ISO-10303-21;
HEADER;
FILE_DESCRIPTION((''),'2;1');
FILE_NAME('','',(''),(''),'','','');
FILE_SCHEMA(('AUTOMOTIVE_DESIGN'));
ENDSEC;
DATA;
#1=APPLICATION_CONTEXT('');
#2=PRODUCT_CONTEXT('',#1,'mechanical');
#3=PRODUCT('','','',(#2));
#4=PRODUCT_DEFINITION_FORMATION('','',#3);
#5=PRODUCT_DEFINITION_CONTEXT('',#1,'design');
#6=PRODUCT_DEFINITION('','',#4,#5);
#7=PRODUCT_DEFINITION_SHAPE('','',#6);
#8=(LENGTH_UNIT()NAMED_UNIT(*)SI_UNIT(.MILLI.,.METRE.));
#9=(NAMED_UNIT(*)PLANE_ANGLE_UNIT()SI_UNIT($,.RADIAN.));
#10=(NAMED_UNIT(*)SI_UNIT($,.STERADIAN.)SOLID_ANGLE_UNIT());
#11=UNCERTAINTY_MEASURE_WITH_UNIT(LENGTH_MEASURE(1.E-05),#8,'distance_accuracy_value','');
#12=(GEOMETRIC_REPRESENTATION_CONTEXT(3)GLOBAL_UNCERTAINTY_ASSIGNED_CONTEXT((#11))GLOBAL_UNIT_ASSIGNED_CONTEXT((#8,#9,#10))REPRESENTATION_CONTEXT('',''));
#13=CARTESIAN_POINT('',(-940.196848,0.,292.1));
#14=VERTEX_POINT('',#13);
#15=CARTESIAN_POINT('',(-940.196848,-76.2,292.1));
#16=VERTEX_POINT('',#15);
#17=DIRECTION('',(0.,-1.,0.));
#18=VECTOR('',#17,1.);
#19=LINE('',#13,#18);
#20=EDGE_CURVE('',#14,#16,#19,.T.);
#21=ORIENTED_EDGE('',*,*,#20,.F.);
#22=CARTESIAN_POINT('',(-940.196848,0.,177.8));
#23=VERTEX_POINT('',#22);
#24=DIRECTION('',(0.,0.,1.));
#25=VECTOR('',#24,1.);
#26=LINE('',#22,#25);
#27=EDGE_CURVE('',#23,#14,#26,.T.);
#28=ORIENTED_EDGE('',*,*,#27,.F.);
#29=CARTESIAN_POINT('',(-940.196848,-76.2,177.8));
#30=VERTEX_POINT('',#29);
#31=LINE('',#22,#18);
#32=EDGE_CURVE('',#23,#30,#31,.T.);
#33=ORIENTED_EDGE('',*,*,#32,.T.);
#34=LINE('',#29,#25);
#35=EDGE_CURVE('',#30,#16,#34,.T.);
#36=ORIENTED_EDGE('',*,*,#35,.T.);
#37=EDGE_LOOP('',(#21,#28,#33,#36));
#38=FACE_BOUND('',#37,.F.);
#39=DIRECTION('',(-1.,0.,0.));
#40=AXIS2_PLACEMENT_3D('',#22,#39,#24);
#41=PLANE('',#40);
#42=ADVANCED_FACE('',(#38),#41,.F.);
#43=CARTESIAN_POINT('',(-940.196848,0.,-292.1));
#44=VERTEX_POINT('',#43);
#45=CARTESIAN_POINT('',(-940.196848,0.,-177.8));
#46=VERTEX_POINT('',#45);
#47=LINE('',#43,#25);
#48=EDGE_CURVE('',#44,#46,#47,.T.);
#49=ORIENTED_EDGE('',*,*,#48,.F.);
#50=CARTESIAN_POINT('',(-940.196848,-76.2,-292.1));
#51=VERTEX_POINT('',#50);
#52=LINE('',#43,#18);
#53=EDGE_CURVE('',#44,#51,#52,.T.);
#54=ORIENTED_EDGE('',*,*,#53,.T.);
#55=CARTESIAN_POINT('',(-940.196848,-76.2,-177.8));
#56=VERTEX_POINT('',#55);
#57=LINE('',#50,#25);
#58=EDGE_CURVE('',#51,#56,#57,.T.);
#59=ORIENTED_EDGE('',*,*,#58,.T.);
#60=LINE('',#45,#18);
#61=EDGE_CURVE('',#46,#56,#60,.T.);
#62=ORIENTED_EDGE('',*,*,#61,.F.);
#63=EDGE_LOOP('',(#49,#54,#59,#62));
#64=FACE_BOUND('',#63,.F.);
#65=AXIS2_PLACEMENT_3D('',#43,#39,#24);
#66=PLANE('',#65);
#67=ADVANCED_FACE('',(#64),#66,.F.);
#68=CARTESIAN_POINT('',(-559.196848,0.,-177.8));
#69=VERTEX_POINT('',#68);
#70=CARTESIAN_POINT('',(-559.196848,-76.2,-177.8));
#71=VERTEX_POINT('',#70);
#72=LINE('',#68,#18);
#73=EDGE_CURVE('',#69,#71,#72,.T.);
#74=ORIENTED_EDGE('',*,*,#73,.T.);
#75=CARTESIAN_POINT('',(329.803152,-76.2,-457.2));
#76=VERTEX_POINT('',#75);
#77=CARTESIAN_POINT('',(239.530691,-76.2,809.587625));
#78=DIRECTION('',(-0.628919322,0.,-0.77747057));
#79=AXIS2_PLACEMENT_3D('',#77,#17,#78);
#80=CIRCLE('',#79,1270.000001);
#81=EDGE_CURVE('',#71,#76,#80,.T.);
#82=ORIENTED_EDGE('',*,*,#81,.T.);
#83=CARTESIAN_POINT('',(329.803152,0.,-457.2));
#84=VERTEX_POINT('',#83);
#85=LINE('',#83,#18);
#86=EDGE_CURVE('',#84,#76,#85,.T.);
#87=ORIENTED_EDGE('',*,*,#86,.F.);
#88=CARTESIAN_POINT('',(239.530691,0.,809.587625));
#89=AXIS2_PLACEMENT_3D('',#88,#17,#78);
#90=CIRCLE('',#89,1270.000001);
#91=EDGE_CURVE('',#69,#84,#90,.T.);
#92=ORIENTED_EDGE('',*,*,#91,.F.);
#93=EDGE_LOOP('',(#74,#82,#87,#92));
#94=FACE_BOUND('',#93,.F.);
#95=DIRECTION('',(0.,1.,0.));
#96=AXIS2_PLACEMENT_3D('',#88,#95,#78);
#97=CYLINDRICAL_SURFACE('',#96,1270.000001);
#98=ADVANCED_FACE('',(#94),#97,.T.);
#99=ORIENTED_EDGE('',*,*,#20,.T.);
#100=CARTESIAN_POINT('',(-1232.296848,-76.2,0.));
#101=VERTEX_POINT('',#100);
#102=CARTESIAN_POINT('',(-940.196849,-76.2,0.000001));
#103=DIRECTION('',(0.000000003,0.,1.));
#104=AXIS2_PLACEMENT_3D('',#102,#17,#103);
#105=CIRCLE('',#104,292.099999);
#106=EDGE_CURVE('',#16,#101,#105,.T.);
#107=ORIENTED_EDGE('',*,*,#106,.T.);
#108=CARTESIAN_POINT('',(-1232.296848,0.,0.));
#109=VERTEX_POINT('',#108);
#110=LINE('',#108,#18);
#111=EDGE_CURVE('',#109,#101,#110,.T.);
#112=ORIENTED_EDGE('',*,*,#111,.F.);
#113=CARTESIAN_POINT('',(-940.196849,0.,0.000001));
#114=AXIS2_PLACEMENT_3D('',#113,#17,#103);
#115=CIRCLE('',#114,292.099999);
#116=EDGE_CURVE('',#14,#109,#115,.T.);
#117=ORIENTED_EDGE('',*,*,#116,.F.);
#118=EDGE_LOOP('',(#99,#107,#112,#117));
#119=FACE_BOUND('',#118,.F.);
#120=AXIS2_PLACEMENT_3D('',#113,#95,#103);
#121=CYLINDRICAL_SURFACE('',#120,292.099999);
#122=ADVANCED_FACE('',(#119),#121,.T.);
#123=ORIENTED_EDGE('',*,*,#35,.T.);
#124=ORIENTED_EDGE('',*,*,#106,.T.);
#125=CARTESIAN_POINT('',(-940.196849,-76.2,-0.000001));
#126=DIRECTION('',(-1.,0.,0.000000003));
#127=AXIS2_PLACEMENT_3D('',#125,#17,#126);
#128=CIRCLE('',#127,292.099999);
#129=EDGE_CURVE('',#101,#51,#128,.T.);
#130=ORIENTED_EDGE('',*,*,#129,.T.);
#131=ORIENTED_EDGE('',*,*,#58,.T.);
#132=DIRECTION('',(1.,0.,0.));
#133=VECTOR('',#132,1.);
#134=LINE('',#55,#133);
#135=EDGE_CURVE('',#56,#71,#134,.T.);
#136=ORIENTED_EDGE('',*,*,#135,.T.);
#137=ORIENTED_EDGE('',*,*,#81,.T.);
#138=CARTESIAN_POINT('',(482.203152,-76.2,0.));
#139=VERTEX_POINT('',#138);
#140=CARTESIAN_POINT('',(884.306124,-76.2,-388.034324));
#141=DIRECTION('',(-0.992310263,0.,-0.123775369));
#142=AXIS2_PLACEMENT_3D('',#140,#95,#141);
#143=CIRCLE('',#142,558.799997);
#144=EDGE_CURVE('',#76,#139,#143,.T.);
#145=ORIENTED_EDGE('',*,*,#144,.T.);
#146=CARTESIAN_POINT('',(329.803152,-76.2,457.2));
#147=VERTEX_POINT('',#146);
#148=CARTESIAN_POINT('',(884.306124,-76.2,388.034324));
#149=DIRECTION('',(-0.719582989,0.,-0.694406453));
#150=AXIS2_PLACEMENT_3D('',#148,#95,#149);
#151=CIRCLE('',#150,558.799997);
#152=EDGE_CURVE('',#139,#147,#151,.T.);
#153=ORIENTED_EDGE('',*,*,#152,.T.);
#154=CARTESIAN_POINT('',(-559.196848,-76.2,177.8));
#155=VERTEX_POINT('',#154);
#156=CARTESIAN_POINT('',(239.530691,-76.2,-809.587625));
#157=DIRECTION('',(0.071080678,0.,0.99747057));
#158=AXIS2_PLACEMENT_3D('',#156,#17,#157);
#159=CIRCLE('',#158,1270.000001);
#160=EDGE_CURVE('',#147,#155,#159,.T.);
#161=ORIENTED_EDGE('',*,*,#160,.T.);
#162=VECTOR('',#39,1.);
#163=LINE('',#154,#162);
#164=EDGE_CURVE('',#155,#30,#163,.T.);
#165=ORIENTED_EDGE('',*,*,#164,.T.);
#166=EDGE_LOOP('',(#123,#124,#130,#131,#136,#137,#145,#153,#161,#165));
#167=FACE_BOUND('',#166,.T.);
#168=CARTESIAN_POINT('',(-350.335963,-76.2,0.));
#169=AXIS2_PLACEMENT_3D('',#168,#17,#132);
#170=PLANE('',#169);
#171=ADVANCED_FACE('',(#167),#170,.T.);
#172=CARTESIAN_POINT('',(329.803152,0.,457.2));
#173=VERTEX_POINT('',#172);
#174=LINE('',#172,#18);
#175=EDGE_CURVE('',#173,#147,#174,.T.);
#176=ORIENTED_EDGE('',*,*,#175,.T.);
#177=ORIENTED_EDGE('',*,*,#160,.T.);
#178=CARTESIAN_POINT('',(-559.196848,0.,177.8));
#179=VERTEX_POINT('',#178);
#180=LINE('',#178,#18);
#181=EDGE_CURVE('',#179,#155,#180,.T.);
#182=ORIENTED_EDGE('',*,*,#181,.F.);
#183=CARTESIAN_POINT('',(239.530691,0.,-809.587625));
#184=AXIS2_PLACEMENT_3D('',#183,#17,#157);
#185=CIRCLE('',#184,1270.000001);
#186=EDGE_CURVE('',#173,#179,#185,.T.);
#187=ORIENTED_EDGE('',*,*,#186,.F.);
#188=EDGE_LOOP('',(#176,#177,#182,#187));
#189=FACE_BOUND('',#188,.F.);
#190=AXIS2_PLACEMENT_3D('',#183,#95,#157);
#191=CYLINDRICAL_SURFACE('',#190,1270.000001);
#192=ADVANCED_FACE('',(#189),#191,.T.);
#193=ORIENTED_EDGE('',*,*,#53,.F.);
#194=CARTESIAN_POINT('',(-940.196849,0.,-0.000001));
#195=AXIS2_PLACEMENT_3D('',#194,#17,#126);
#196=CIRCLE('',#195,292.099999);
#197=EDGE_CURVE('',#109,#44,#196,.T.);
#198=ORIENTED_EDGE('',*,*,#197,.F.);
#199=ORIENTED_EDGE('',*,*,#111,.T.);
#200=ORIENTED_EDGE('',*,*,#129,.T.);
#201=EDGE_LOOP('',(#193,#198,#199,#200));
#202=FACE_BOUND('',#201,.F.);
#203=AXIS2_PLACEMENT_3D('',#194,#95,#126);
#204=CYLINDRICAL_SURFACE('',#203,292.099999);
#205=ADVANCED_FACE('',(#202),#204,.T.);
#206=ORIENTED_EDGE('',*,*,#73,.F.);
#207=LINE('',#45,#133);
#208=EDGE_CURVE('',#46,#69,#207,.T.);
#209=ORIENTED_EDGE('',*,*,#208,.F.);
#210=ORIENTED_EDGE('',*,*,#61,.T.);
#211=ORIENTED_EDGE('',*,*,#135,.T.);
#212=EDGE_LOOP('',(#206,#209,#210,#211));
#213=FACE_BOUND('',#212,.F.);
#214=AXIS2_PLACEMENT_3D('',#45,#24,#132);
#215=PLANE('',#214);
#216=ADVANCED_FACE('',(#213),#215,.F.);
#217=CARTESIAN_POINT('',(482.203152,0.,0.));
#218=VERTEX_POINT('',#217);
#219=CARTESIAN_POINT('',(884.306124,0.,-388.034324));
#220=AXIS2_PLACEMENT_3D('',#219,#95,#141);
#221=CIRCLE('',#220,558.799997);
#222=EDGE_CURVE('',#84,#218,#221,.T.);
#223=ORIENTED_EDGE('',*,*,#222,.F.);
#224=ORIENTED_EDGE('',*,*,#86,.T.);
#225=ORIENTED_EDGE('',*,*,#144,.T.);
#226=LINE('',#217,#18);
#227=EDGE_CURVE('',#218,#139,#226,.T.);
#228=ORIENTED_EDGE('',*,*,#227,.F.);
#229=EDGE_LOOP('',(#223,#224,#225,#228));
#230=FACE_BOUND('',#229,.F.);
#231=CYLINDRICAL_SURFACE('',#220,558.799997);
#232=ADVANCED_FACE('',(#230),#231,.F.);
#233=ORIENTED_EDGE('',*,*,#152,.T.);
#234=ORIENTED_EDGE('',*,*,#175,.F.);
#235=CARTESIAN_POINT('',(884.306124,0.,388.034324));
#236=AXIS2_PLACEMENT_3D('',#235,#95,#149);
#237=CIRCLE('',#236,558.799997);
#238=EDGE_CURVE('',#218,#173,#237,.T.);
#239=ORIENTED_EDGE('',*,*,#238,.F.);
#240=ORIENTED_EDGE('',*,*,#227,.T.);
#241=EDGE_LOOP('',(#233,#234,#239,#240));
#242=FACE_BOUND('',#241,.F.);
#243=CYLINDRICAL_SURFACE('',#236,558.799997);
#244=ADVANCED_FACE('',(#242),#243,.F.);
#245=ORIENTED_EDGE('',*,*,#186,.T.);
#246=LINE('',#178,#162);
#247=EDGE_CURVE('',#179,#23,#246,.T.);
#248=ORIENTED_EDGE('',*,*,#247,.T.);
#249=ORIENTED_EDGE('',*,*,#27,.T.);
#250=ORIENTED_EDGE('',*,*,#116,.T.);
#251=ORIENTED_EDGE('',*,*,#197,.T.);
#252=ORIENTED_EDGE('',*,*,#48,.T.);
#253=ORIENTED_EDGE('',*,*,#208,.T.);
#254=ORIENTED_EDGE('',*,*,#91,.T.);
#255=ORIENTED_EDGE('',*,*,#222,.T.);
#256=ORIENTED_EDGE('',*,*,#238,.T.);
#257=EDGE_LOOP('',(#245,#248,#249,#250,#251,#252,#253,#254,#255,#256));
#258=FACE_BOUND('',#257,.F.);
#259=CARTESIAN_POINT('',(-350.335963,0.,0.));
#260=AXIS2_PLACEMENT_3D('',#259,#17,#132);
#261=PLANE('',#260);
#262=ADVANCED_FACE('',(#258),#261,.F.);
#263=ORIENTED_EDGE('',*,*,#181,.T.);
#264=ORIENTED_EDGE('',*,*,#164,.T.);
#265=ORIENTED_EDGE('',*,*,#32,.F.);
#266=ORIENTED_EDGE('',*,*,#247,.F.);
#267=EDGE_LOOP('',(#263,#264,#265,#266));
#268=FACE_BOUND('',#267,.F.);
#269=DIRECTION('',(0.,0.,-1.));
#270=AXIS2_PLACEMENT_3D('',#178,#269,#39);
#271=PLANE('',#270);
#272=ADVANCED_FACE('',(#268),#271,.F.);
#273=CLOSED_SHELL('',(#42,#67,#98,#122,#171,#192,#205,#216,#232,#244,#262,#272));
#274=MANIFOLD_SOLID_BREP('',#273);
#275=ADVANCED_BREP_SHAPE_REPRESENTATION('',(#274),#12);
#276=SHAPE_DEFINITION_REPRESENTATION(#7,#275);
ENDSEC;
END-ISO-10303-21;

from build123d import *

# Parameters (mm, degrees)
F1_DEPTH = 76.2


with BuildPart() as f1:
    # F0 (on Front) → F1 (new body)
    with BuildSketch(Plane.XZ):
        with BuildLine():
            Line((-940.196848, 177.8), (-940.196848, 292.1))
            ThreePointArc((-940.196848, 292.1), (-1146.742739, 206.545891), (-1232.296848, 0))
            ThreePointArc((-1232.296848, 0), (-1146.742739, -206.545891), (-940.196848, -292.1))
            Line((-940.196848, -292.1), (-940.196848, -177.8))
            Line((-940.196848, -177.8), (-559.196848, -177.8))
            ThreePointArc((-559.196848, -177.8), (-141.249087, -401.984397), (329.803152, -457.2))
            ThreePointArc((329.803152, -457.2), (354.1819, -211.326249), (482.203152, 0))
            ThreePointArc((482.203152, 0), (354.1819, 211.326249), (329.803152, 457.2))
            ThreePointArc((329.803152, 457.2), (-141.249087, 401.984397), (-559.196848, 177.8))
            Line((-559.196848, 177.8), (-940.196848, 177.8))
        make_face()
    extrude(amount=F1_DEPTH)


solid = f1.part
